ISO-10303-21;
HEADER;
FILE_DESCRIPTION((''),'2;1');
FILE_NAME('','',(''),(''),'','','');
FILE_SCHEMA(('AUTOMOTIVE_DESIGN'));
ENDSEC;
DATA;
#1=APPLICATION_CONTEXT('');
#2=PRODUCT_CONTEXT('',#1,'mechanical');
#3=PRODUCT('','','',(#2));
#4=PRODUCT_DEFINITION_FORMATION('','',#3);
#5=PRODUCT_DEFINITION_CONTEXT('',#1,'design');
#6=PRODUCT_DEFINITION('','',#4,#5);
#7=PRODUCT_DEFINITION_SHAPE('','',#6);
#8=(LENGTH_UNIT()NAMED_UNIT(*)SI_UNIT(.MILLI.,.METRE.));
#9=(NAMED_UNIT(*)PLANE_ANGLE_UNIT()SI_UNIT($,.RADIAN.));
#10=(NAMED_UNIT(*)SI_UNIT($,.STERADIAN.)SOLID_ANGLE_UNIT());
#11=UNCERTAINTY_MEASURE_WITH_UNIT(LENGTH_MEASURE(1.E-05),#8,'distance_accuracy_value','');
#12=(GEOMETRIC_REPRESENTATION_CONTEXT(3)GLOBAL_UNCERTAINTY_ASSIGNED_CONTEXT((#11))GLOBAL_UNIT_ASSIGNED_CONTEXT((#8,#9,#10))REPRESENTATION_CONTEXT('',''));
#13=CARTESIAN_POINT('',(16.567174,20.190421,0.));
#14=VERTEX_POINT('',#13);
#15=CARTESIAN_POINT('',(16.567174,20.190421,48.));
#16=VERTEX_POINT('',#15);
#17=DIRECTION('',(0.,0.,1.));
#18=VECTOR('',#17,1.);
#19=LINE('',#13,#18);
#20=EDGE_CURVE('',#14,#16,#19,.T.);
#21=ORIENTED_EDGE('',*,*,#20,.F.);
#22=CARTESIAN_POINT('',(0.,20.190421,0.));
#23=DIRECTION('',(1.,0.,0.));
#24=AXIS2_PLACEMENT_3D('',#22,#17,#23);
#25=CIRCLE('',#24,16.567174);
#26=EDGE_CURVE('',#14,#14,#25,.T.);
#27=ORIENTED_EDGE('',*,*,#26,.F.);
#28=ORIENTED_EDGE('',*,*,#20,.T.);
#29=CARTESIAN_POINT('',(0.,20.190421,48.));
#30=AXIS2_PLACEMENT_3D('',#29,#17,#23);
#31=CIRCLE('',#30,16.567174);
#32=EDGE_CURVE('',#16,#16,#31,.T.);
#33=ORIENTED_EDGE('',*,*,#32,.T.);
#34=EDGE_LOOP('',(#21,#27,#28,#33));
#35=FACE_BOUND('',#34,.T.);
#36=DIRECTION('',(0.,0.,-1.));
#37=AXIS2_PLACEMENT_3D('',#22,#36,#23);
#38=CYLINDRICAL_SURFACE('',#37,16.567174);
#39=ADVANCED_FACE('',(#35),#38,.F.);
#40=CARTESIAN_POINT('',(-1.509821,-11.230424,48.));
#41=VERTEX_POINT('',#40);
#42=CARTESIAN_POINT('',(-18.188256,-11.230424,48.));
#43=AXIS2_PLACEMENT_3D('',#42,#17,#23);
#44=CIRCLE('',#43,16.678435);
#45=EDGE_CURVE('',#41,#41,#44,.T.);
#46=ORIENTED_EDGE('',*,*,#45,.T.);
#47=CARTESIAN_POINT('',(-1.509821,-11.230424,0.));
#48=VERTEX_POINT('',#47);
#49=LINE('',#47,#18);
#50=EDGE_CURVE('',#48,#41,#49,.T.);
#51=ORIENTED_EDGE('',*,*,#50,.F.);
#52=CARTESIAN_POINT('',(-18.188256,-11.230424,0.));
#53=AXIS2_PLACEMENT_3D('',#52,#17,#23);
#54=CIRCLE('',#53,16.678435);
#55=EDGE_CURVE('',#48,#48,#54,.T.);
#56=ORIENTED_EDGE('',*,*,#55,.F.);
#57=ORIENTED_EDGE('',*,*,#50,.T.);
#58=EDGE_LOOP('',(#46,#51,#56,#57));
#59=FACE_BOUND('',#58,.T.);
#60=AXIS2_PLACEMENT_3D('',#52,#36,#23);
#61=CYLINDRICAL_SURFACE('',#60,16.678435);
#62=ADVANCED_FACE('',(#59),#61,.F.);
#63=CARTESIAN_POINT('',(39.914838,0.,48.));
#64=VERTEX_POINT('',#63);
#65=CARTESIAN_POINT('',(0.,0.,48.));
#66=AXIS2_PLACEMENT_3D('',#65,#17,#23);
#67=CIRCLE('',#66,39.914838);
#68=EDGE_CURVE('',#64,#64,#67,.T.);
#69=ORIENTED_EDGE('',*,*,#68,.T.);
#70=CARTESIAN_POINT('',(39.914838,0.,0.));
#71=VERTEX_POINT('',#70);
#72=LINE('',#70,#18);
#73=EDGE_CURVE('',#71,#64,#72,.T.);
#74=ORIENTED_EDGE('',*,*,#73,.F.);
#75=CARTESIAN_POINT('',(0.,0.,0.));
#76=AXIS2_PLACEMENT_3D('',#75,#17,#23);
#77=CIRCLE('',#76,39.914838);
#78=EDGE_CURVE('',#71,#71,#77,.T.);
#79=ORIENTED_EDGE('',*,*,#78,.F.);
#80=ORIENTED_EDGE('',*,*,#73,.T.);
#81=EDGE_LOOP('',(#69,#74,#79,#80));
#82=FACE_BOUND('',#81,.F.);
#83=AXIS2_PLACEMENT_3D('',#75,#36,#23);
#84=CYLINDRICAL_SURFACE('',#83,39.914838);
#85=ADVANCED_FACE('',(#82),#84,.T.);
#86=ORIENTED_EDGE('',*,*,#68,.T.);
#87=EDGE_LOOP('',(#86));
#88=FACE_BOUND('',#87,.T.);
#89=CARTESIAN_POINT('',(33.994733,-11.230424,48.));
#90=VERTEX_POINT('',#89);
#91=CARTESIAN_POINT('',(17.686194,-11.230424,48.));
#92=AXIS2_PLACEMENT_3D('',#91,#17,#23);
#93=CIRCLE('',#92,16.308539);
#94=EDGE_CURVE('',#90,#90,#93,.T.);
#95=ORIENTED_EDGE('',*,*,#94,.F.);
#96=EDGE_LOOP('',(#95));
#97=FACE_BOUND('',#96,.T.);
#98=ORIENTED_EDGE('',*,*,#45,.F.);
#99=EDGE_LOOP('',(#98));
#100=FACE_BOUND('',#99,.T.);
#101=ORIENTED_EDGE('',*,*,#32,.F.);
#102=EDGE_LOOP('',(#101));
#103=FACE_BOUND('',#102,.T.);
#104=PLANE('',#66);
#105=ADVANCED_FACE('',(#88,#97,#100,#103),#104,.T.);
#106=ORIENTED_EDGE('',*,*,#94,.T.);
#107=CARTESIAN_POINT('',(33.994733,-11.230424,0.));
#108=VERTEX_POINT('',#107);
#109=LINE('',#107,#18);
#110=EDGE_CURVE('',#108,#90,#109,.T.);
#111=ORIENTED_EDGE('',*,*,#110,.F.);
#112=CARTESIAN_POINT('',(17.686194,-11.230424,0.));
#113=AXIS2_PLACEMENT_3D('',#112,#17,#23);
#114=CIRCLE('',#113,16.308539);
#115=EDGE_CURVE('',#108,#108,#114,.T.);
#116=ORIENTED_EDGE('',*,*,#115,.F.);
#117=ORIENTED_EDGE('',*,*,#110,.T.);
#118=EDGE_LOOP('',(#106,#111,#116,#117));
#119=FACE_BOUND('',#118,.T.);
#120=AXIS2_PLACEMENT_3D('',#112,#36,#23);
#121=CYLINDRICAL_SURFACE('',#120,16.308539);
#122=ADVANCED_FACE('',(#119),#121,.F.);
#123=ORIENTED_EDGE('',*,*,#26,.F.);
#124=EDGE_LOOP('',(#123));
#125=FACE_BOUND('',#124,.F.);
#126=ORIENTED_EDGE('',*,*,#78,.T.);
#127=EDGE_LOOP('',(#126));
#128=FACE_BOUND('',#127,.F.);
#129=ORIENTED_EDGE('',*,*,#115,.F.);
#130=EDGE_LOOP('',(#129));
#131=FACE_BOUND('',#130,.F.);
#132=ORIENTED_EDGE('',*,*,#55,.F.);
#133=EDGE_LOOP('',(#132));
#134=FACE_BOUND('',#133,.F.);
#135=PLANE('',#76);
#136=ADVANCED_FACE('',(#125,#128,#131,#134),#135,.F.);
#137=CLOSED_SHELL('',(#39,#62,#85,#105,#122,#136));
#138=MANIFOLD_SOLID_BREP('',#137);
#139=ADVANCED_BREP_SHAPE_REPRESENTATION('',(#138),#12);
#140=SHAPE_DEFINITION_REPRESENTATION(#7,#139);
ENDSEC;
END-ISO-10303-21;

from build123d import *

# Parameters (mm, degrees)
F0_R     = 39.914838
F0_R_2   = 16.678435
F0_R_3   = 16.308539
F0_R_4   = 16.567174
F1_DEPTH = 48


with BuildPart() as f1:
    # F0 (on Top) → F1 (new body)
    with BuildSketch(Plane.XY):
        Circle(F0_R)
        with Locations((-18.188256, -11.230424)):
            Circle(F0_R_2, mode=Mode.SUBTRACT)
        with Locations((17.686194, -11.230424)):
            Circle(F0_R_3, mode=Mode.SUBTRACT)
        with Locations((0, 20.190421)):
            Circle(F0_R_4, mode=Mode.SUBTRACT)
    extrude(amount=F1_DEPTH)


solid = f1.part
